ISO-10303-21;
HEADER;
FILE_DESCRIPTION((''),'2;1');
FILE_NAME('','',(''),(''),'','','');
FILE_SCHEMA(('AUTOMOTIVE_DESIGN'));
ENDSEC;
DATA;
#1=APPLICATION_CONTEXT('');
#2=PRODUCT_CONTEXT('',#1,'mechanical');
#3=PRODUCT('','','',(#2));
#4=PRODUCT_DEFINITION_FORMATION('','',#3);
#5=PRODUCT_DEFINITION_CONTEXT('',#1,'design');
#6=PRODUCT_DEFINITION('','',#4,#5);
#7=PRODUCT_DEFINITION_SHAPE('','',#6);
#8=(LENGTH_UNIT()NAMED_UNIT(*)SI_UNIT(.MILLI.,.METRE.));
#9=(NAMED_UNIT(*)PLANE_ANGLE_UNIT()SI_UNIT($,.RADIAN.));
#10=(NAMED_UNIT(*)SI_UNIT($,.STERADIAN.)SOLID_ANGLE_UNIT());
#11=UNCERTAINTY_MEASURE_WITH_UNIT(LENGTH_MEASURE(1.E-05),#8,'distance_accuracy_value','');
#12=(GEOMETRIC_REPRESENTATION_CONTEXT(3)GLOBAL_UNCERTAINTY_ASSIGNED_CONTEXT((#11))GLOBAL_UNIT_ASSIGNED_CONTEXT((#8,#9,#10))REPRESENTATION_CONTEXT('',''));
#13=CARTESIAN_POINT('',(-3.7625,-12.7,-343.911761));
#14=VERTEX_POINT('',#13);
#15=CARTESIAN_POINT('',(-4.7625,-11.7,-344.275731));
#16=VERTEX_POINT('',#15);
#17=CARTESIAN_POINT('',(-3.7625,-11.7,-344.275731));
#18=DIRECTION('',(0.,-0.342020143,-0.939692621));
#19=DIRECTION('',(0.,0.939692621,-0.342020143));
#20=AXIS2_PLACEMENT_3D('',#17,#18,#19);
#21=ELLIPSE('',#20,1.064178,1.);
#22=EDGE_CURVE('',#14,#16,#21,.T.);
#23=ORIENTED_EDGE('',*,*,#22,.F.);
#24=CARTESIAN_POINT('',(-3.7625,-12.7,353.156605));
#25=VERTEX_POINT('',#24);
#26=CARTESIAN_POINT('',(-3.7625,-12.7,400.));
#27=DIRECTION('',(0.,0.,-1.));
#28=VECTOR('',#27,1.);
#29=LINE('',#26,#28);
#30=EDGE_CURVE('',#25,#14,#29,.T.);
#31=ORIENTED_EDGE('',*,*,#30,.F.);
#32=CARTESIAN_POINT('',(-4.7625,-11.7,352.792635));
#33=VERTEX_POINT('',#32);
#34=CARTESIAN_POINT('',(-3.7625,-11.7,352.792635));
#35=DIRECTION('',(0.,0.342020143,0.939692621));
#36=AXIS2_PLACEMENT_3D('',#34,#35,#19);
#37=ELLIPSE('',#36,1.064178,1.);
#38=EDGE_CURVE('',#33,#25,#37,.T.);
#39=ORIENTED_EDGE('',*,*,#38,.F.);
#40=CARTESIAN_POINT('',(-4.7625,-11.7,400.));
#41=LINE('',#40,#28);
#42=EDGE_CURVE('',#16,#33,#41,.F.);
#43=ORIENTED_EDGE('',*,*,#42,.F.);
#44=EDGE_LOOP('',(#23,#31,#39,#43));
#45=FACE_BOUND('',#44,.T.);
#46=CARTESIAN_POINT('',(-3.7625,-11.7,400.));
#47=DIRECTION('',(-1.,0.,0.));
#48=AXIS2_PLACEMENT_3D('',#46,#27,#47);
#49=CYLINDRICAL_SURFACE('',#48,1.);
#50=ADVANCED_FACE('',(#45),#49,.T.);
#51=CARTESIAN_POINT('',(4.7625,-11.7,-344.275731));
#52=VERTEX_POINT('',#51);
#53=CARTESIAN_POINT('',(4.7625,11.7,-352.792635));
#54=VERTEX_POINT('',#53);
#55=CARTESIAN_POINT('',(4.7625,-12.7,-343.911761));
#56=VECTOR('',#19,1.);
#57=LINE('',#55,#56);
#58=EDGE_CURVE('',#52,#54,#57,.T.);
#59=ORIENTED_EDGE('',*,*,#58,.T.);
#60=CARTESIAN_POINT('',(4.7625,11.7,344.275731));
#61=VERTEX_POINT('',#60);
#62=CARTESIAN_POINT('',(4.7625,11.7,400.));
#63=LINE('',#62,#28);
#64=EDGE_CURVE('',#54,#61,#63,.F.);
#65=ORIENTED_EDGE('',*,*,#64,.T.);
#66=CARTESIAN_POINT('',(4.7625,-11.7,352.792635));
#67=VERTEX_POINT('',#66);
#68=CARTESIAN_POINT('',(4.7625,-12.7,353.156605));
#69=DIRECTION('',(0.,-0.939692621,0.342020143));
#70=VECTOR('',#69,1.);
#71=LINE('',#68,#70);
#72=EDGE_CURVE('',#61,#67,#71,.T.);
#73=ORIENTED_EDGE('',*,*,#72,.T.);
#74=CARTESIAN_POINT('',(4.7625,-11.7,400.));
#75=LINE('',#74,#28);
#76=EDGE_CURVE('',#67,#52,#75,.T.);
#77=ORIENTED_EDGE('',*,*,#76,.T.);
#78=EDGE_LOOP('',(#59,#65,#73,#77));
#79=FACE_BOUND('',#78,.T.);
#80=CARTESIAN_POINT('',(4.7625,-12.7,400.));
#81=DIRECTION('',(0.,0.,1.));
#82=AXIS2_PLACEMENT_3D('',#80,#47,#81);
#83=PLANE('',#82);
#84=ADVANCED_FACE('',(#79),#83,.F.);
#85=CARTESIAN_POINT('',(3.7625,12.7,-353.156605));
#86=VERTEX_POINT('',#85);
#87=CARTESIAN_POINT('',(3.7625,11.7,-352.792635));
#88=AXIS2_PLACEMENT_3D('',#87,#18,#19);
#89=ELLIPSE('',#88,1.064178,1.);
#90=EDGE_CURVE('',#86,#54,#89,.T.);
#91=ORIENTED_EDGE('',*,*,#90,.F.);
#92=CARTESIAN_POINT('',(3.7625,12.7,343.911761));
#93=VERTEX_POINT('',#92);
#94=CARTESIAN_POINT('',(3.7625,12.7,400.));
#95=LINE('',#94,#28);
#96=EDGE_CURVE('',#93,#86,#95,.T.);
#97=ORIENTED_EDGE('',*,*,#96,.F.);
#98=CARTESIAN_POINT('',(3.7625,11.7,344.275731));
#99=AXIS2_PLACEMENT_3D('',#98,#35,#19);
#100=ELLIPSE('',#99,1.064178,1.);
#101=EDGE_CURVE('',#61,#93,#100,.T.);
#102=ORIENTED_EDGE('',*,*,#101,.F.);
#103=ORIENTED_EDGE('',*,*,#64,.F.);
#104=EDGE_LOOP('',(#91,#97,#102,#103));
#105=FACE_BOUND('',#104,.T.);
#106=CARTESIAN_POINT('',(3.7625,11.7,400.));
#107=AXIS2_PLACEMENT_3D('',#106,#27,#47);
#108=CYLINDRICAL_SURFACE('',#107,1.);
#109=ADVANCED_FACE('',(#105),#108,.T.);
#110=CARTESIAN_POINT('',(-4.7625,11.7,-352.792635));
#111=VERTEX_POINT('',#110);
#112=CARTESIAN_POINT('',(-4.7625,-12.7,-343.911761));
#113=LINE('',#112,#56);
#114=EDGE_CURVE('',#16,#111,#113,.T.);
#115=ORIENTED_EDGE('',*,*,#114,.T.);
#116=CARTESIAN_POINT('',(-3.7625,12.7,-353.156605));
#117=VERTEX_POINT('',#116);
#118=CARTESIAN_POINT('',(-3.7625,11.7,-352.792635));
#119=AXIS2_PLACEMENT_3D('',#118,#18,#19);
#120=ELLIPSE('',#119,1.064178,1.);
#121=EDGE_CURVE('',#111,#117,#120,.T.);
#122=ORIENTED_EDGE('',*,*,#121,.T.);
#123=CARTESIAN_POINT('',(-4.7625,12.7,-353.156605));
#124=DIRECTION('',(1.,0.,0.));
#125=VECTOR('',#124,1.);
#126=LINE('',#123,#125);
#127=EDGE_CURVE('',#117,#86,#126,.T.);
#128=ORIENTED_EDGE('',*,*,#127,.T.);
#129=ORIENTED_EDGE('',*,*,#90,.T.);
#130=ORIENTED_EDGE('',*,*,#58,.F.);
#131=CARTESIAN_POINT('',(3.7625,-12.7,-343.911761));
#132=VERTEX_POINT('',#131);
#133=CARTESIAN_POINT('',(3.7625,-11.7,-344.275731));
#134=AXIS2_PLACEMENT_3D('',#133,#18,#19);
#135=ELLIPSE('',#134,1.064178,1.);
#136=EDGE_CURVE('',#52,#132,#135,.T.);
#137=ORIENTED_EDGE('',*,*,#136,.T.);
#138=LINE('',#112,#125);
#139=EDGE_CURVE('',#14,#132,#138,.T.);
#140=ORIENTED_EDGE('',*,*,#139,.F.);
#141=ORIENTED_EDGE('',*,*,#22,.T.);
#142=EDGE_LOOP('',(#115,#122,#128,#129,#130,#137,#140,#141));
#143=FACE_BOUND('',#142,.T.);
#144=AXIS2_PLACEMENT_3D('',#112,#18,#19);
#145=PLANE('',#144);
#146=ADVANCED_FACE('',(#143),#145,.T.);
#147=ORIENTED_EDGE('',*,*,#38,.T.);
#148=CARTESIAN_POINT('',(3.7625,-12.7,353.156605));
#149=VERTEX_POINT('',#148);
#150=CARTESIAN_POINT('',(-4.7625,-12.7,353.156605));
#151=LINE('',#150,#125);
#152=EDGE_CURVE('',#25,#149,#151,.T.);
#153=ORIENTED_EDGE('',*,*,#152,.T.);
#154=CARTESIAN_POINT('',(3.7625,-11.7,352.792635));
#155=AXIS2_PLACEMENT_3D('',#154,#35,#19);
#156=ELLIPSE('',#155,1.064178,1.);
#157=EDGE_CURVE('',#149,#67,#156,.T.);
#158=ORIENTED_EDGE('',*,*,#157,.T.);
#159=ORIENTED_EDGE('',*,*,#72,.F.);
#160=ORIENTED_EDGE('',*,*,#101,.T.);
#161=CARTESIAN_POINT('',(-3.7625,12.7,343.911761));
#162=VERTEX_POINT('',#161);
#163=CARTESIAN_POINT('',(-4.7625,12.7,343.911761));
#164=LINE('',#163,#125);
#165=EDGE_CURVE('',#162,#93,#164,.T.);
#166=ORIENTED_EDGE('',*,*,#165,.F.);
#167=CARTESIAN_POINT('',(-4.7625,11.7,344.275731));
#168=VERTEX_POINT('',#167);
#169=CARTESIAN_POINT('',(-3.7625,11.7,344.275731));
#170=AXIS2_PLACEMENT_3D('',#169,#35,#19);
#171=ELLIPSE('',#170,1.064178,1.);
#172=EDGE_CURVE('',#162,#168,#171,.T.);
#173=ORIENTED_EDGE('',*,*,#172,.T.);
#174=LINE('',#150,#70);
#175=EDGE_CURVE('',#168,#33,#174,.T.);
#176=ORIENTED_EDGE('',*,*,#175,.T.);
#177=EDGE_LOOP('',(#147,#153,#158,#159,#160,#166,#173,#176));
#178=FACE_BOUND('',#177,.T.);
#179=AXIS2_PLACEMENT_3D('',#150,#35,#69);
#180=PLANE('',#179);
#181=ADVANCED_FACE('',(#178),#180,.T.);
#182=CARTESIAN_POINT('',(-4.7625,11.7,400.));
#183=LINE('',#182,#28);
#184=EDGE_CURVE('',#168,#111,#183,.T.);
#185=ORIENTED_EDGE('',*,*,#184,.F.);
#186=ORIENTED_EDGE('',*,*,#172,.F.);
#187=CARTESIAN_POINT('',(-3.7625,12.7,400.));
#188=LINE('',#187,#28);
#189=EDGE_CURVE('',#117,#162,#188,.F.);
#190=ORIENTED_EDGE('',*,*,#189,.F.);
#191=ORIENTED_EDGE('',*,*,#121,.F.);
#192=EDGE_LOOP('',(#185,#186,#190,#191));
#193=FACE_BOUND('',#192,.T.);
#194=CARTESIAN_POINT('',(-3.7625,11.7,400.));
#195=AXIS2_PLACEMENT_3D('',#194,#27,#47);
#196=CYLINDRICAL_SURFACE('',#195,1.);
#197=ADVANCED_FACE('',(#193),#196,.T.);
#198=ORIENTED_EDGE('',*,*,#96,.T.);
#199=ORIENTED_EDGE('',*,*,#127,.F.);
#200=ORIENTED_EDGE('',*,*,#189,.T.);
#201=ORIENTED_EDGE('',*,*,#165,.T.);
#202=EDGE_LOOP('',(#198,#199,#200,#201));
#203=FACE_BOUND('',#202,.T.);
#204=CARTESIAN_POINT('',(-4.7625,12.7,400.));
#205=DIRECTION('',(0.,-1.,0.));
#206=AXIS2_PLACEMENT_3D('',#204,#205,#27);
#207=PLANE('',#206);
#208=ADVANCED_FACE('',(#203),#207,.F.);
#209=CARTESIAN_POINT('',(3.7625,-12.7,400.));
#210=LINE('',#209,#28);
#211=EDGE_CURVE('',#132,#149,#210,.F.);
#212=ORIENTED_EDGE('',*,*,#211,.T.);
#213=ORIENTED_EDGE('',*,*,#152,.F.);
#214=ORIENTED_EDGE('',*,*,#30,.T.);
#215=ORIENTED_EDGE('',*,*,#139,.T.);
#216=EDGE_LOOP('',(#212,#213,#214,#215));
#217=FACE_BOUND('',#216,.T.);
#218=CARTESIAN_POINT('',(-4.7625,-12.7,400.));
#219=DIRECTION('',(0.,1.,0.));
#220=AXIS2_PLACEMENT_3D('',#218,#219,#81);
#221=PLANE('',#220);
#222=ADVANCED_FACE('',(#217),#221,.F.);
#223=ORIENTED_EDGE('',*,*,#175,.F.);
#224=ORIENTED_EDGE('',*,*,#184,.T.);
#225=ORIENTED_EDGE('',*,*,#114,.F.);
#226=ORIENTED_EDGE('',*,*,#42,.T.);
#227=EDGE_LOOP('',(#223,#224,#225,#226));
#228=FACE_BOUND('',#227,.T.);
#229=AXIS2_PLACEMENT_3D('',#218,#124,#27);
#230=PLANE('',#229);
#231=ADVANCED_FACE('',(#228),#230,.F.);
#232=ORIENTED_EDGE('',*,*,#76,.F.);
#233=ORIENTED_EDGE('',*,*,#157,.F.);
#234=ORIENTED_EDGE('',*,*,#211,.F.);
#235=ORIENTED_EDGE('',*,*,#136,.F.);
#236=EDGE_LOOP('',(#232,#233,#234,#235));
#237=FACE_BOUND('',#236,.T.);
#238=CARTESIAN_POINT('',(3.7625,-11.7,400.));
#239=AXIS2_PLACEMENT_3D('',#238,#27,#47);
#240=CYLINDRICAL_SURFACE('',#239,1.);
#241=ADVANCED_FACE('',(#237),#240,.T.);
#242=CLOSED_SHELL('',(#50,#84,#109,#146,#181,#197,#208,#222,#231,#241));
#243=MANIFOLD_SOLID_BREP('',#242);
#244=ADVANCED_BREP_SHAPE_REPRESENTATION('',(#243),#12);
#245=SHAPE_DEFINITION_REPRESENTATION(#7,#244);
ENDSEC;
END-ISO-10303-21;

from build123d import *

# Parameters (mm, degrees)
ESBO_O1_W                = 9.525
ESBO_O1_H                = 25.4
RESSALTO_EXTRUS_O1_DEPTH = 400
ESBO_O3_OUTSIDE_W        = 962.092
ESBO_O3_OUTSIDE_H        = 187.492
CORTE_EXTRUS_O2_DEPTH    = 401.314895582
FILETE1_R                = 1


with BuildPart() as part:
    # Esboço1 → Ressalto-extrusão1 (new, symmetric)
    with BuildSketch(Plane.XY):
        Rectangle(ESBO_O1_W, ESBO_O1_H)
    extrude(amount=RESSALTO_EXTRUS_O1_DEPTH, both=True)

    # Esboço3 outside → Corte-extrusão2 (cut, through all)
    with BuildSketch(Plane(origin=(4.7625, 0, 0), x_dir=(0, 0, -1), z_dir=(1, 0, 0))):
        Rectangle(ESBO_O3_OUTSIDE_W, ESBO_O3_OUTSIDE_H)
        Polygon((-353.156605128, -12.7), (343.911761177, -12.7), (353.156605128, 12.7), (-343.911761177, 12.7), align=None, mode=Mode.SUBTRACT)
    extrude(amount=-CORTE_EXTRUS_O2_DEPTH, mode=Mode.SUBTRACT)

    # Filete1
    filete1_edges = [part.edges().sort_by_distance(p)[0] for p in [
        (4.7625, -12.7, 4.622421975),
        (-4.7625, -12.7, 4.622421975),
        (-4.7625, 12.7, -4.622421975),
        (4.7625, 12.7, -4.622421975),
    ]]
    fillet(filete1_edges, radius=FILETE1_R)


solid = part.part
